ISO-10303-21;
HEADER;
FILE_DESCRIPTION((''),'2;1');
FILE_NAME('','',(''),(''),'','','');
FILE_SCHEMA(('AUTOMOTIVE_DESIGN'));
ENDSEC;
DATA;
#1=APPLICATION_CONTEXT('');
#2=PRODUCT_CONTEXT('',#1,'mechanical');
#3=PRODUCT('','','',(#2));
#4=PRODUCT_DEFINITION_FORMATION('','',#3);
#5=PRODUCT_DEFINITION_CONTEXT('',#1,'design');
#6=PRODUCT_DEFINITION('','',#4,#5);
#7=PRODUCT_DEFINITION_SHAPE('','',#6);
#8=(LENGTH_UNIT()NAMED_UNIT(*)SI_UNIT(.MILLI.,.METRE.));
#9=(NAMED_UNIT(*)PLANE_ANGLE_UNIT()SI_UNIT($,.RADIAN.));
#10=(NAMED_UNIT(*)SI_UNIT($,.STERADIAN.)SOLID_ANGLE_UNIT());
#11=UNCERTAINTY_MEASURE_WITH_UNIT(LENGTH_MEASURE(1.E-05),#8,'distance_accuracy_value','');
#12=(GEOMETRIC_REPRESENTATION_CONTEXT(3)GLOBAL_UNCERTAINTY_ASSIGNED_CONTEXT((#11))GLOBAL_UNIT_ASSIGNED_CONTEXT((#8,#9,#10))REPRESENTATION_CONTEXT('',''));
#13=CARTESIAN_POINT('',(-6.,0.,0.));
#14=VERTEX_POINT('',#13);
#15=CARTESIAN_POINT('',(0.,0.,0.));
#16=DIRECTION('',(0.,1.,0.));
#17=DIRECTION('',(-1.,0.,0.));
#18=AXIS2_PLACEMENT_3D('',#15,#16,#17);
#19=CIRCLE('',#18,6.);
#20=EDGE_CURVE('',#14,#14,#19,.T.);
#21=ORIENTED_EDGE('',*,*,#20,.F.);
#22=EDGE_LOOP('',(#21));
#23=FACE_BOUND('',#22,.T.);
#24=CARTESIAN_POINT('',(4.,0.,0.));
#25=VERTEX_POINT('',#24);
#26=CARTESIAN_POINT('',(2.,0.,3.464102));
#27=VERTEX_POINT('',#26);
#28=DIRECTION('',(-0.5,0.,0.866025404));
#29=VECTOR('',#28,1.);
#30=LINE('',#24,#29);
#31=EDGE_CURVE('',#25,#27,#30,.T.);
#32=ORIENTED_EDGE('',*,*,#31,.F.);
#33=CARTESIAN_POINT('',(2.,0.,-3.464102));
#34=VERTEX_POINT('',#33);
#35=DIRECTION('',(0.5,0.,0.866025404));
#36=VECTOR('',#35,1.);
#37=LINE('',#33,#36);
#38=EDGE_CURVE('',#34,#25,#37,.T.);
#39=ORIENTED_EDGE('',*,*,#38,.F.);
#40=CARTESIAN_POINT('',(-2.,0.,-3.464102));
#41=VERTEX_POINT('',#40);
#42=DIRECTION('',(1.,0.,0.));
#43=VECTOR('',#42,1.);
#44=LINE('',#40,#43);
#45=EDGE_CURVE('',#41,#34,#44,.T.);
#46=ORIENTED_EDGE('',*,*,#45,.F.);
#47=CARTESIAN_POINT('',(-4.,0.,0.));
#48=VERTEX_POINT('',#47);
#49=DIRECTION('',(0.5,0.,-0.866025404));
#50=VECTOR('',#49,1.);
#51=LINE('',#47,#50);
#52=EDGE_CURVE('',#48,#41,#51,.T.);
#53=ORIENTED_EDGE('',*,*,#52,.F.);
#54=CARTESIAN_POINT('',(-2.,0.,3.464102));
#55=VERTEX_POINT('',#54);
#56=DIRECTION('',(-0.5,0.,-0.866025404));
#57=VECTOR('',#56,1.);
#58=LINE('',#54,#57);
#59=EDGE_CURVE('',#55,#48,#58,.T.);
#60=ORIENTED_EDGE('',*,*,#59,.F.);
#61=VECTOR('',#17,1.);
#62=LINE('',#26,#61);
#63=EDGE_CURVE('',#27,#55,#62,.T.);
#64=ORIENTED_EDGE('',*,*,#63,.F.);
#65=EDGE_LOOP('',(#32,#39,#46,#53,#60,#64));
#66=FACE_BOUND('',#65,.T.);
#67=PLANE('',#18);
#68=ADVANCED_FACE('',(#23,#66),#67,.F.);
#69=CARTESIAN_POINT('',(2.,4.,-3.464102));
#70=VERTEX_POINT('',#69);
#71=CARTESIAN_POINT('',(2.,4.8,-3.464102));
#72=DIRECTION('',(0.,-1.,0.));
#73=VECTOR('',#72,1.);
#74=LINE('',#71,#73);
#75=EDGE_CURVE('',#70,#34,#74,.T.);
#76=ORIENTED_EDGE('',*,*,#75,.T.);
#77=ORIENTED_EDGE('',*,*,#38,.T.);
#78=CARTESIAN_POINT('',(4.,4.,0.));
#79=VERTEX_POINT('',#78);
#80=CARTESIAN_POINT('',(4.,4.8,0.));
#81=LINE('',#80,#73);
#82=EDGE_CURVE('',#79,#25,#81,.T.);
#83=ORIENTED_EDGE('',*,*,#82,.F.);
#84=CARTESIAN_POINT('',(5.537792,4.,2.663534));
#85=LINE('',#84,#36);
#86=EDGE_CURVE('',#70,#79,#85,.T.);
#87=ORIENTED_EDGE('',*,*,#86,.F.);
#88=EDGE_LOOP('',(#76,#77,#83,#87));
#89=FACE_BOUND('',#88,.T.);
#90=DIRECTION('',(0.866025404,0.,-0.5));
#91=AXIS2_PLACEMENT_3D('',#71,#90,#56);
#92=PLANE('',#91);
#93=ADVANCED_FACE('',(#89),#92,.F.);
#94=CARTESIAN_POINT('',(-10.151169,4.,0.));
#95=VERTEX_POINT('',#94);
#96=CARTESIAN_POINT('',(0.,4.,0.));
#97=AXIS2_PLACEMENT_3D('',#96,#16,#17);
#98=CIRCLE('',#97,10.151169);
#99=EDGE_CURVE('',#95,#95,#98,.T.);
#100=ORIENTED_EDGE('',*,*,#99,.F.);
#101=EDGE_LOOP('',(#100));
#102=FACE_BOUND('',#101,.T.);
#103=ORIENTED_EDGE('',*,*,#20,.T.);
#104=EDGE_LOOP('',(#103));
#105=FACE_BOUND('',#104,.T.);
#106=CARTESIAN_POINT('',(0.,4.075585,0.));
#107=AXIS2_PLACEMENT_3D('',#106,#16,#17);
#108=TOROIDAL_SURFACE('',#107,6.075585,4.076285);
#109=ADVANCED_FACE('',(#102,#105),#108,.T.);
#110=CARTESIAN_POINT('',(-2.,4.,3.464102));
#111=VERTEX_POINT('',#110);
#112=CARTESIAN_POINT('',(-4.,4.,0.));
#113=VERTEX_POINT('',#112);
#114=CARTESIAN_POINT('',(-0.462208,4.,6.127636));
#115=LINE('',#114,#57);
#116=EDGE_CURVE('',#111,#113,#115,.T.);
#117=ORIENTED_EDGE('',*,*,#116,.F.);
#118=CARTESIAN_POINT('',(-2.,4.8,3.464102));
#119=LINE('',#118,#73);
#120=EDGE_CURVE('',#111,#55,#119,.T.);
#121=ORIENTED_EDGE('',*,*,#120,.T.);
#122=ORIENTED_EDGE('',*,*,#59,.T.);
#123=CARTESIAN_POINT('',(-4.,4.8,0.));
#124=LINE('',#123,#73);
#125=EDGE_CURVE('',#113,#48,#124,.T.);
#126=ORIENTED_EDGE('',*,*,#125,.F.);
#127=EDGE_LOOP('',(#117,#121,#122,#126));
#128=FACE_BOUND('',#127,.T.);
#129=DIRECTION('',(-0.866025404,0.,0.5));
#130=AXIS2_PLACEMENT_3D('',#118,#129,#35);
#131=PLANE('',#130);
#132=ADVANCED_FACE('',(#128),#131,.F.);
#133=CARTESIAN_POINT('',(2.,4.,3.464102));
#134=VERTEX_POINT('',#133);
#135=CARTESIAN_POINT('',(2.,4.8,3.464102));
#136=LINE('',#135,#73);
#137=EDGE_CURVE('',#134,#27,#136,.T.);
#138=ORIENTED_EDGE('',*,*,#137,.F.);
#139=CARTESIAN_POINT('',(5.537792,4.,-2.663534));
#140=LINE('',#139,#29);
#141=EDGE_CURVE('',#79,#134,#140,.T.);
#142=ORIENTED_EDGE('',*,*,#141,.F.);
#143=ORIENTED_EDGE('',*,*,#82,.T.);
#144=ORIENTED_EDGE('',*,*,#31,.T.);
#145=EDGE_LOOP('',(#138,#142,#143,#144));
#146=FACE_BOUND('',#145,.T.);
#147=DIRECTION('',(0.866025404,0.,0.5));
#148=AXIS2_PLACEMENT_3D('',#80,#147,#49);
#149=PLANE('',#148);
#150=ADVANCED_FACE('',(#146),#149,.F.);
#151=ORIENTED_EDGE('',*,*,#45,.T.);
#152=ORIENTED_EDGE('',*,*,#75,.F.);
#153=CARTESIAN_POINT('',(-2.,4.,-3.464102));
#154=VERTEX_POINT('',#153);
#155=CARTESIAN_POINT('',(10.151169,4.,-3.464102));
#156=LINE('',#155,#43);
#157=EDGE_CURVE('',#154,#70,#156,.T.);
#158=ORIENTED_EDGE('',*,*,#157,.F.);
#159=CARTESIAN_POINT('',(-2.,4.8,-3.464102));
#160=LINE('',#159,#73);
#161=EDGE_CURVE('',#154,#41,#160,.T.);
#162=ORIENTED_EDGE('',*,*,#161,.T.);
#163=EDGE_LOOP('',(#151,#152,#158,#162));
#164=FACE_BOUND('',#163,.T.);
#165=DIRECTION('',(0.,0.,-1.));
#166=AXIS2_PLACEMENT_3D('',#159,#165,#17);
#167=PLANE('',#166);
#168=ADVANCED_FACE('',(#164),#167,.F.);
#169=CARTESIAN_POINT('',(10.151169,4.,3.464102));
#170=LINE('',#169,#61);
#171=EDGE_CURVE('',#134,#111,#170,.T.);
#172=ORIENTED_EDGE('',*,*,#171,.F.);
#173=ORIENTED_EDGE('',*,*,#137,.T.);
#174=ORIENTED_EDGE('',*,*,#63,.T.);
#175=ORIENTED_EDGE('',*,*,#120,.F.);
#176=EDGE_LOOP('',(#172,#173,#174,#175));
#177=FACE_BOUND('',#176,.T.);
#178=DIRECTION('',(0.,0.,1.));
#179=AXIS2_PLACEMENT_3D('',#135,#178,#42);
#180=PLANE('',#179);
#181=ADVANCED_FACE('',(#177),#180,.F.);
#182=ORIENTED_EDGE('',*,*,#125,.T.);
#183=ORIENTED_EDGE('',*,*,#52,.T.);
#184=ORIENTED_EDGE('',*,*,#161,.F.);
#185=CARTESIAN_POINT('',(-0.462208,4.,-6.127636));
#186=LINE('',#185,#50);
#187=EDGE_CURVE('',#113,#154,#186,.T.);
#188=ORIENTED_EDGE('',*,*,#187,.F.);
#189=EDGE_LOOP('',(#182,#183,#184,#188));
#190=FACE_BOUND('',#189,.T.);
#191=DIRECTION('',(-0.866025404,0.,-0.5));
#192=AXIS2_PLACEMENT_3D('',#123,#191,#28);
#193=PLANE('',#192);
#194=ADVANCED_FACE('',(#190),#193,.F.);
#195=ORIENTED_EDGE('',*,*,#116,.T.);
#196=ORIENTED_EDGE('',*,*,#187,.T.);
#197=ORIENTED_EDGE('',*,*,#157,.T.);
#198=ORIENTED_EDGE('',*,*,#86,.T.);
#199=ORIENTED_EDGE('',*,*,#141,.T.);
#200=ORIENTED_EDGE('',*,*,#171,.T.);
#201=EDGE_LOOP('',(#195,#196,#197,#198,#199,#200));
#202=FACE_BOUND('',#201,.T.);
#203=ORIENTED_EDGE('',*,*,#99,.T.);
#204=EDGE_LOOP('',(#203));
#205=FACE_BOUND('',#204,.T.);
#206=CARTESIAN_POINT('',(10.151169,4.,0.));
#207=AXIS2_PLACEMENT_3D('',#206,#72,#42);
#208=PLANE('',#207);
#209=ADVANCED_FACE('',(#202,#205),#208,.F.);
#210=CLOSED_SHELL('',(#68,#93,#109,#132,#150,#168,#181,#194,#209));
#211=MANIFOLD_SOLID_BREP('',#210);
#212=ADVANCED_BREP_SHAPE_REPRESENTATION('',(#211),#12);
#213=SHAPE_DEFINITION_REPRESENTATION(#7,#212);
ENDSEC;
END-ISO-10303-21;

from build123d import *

# Parameters (mm, degrees)
CUT_EXTRUDE1_DEPTH = 4.8


with BuildPart() as part:
    # Sketch1 → Revolve1 (revolve)
    with BuildSketch(Plane.XY, mode=Mode.PRIVATE) as revolve1_sk:
        with BuildLine():
            Line((0, 0), (6, 0))
            ThreePointArc((6, 0), (8.904011689, 1.140264724), (10.151169128, 4))
            Line((10.151169128, 4), (0, 4))
            Line((0, 4), (0, 0))
        make_face()
    revolve(revolve1_sk.sketch.rotate(Axis((0, 4, 0), (0, -1, 0)), 180), axis=Axis((0, 4, 0), (0, -1, 0)))

    # Sketch2 → Cut-Extrude1 (cut)
    with BuildSketch(Plane.XZ):
        Polygon((4, 0), (2, 3.464101615), (-2, 3.464101615), (-4, 0), (-2, -3.464101615), (2, -3.464101615), align=None)
    extrude(amount=-CUT_EXTRUDE1_DEPTH, mode=Mode.SUBTRACT)


solid = part.part
